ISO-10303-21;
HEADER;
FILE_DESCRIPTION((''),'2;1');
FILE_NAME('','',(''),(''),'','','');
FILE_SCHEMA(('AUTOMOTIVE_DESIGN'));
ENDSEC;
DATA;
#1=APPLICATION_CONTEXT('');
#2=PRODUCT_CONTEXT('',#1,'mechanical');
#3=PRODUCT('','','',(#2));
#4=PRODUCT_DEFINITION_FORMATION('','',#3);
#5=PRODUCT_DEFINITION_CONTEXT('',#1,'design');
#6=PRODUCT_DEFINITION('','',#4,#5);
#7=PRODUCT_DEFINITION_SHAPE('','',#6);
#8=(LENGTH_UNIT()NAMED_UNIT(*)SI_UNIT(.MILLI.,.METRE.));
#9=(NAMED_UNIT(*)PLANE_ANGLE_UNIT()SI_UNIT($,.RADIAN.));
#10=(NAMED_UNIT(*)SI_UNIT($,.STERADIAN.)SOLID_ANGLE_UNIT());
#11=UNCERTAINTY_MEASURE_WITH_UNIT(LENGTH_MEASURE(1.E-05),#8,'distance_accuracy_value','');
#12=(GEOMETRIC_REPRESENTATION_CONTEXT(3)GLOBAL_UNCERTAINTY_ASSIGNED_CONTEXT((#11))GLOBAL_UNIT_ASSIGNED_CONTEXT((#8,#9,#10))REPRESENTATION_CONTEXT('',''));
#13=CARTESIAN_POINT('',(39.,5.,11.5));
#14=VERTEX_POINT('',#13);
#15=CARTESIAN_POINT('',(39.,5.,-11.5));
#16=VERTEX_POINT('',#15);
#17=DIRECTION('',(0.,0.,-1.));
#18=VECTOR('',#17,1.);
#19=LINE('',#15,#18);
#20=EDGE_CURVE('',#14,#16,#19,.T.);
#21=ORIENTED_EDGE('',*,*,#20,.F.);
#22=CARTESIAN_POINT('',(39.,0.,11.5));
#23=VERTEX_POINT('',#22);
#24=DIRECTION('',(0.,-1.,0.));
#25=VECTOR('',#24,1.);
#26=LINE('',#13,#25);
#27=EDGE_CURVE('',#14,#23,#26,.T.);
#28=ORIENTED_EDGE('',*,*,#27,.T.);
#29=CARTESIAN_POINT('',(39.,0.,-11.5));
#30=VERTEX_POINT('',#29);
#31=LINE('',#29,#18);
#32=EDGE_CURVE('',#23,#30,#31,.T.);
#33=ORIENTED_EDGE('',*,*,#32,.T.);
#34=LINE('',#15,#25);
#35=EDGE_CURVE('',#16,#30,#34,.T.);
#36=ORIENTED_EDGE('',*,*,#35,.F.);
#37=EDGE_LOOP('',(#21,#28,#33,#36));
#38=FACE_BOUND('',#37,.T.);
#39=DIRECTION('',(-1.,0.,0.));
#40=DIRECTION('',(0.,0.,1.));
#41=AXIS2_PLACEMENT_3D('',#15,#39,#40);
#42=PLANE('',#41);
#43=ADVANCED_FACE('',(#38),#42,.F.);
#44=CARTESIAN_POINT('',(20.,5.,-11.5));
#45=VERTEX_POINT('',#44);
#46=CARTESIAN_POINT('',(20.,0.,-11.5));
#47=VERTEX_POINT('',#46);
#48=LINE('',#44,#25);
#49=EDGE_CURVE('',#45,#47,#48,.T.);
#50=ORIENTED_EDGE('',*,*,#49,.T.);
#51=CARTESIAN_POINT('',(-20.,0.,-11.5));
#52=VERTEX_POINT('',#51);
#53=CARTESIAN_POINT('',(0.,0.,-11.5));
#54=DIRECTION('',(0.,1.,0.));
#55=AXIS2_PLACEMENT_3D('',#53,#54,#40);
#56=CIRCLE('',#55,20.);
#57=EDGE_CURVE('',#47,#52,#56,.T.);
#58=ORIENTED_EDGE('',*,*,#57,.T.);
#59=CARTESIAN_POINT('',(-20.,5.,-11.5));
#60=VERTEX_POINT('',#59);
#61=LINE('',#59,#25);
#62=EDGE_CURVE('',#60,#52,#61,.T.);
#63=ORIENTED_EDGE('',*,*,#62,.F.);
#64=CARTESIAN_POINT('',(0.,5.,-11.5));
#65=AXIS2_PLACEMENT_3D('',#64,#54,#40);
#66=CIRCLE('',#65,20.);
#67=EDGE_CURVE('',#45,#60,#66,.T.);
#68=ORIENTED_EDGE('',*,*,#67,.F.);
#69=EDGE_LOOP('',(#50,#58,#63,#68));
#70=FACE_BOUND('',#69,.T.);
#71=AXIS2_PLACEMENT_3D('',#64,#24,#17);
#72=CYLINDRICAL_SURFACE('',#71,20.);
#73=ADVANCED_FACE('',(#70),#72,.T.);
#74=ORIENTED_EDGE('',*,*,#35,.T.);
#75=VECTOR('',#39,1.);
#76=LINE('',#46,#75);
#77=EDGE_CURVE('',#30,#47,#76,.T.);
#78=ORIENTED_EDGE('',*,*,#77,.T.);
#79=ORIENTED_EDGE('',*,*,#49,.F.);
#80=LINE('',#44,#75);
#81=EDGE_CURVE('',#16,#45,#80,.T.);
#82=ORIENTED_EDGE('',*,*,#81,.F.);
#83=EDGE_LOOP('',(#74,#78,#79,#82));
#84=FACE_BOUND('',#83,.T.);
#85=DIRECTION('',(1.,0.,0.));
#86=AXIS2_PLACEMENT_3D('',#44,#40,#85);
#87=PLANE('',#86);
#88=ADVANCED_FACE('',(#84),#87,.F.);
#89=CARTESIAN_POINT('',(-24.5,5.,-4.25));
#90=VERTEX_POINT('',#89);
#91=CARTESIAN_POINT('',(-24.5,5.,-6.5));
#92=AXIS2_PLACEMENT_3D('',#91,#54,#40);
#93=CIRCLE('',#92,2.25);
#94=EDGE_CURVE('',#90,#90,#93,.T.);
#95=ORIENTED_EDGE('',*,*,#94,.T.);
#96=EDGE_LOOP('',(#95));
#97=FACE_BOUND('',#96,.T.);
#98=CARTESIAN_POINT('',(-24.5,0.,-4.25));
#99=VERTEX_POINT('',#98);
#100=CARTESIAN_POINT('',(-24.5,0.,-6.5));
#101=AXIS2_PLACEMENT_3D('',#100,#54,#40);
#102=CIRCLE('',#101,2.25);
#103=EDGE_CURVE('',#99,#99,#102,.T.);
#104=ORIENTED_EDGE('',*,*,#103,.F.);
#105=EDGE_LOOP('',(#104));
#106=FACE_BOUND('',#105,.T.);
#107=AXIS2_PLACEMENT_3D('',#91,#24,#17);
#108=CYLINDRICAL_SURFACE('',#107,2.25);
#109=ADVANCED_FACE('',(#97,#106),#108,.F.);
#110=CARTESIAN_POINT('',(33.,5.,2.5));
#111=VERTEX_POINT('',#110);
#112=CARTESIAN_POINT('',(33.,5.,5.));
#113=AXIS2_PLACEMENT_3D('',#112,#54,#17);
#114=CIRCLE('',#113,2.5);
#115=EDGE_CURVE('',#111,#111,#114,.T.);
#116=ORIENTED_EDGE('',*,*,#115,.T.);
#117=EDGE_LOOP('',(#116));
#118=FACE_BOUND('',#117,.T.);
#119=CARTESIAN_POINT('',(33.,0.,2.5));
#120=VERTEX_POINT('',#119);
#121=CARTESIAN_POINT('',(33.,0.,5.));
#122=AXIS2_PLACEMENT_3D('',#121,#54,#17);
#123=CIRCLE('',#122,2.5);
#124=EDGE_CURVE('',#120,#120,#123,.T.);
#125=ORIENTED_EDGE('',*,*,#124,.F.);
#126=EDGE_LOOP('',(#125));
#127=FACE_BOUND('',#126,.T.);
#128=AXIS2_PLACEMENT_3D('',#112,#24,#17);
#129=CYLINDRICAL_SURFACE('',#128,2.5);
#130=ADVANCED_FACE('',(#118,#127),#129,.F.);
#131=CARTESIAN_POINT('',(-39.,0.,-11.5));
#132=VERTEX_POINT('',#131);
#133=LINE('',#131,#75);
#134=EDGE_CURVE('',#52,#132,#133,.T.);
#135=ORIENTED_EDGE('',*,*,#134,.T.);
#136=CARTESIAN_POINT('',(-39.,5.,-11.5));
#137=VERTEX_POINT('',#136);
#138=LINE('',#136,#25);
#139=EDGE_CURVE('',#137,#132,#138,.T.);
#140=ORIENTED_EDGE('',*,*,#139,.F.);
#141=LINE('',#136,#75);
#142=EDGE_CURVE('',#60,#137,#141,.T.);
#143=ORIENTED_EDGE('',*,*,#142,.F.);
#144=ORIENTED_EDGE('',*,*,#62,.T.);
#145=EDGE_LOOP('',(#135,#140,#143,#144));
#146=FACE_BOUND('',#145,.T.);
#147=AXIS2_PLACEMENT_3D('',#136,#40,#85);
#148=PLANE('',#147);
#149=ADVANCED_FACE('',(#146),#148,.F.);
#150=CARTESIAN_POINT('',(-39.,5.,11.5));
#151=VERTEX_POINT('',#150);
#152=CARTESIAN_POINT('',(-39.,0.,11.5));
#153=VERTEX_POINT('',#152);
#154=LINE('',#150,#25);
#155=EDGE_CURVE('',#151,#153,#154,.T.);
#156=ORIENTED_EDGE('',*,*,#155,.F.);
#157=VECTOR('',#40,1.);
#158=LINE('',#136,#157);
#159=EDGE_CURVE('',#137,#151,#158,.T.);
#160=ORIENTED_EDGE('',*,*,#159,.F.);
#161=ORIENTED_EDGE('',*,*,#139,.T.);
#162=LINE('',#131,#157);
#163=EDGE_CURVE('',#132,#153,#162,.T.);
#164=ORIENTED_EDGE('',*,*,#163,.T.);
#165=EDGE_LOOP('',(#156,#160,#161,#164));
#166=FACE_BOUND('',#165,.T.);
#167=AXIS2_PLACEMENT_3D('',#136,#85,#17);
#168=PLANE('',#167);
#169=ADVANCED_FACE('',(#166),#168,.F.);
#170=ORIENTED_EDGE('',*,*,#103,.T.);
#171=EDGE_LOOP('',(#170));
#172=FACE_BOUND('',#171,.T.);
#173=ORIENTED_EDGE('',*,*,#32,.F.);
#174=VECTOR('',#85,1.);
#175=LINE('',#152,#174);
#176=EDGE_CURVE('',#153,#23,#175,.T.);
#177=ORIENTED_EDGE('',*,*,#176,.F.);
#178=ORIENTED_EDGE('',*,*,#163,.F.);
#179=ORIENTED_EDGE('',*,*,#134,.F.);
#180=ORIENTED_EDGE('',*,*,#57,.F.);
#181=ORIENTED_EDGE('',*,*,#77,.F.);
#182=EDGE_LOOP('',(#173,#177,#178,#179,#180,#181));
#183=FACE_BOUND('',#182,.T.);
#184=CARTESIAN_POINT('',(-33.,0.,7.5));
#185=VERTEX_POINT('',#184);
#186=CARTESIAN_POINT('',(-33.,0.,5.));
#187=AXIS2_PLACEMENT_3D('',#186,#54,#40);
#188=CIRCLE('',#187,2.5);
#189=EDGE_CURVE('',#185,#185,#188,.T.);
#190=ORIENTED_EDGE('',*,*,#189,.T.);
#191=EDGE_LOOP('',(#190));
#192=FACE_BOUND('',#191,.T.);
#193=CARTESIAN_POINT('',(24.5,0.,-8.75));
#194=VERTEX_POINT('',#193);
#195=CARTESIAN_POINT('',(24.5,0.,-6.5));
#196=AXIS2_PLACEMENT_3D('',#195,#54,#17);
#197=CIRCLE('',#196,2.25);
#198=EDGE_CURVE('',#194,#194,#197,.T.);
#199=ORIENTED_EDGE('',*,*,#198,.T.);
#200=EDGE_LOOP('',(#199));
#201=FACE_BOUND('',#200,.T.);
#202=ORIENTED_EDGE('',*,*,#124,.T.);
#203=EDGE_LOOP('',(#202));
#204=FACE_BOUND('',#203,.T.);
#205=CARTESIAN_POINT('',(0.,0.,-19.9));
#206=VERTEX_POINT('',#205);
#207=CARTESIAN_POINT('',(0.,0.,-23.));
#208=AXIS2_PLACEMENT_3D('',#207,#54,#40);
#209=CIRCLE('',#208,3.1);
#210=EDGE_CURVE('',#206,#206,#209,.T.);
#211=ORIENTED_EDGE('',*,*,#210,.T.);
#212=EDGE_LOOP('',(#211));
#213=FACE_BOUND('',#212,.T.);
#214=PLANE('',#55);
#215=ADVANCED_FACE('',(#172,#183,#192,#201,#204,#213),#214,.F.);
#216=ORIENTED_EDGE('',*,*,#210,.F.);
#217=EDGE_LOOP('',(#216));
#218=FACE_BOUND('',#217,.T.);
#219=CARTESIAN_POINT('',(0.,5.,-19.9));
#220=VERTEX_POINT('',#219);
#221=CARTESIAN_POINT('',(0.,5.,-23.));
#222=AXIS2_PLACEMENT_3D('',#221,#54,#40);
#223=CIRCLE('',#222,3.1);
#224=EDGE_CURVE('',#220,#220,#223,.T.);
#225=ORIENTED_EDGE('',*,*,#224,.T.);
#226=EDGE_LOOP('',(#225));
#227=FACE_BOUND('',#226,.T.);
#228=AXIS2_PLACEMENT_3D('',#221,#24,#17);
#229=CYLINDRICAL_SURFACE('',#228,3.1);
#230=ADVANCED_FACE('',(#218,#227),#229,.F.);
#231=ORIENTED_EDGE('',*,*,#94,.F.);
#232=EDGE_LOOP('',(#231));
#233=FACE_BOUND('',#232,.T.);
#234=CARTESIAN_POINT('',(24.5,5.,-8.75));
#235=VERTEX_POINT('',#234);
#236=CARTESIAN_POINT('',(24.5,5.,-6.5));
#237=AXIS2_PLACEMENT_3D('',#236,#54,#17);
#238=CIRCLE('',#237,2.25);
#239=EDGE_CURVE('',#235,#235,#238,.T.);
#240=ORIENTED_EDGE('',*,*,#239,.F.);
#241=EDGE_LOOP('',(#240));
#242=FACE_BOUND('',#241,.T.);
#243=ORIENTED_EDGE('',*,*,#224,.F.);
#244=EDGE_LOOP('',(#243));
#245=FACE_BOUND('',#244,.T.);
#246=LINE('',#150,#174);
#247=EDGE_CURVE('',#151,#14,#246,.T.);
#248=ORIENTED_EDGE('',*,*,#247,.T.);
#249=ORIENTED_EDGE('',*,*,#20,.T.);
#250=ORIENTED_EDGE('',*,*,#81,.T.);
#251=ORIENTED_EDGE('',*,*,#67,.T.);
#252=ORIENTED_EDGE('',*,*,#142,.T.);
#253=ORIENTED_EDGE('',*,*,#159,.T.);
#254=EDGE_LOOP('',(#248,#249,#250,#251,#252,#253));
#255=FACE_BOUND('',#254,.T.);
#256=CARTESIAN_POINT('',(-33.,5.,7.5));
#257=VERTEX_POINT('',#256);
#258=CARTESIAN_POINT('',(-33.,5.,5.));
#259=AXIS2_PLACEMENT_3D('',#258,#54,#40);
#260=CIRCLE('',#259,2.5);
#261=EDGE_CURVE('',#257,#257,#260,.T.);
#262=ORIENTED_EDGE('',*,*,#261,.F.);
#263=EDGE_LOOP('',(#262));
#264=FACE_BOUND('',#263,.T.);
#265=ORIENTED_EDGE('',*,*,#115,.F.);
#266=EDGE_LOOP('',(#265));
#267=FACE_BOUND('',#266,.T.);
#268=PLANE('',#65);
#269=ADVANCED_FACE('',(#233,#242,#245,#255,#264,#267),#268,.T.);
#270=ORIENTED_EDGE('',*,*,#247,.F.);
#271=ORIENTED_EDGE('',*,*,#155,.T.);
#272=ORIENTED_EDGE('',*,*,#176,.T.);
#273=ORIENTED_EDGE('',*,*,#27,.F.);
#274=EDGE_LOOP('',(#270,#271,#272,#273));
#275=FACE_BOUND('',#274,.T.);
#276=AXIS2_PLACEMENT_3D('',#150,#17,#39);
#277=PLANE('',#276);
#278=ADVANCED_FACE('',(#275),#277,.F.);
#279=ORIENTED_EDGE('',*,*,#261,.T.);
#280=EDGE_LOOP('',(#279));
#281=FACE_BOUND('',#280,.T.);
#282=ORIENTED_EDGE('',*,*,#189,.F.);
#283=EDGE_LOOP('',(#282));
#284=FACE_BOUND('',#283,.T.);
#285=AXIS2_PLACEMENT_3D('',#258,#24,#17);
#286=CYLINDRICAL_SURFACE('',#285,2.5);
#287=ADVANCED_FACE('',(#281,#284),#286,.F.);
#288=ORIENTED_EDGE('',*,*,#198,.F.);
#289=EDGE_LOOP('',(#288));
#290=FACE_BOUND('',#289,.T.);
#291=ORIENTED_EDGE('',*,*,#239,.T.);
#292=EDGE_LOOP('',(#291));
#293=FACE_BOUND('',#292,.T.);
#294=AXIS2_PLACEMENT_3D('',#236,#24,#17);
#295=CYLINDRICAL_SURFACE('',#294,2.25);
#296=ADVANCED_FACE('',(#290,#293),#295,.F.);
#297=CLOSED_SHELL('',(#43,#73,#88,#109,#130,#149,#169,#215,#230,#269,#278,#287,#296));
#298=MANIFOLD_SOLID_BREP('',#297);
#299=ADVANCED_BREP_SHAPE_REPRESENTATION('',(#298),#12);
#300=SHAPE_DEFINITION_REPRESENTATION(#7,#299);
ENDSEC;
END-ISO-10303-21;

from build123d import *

# Parameters (mm, degrees)
IZIM1_R                     = 3.1
IZIM1_R_2                   = 2.25
IZIM1_R_3                   = 2.5
Y_KSEKLIK_EKSTR_ZYON1_DEPTH = 5


with BuildPart() as part:
    # Çizim1 → Yükseklik-Ekstrüzyon1 (new body)
    with BuildSketch(Plane(origin=(0, 0, 0), x_dir=(1, 0, 0), z_dir=(0, 1, 0))):
        with BuildLine():
            Line((-39, 11.5), (-20, 11.5))
            ThreePointArc((-20, 11.5), (0, 31.5), (20, 11.5))
            Line((20, 11.5), (39, 11.5))
            Line((39, 11.5), (39, -11.5))
            Line((39, -11.5), (-39, -11.5))
            Line((-39, -11.5), (-39, 11.5))
        make_face()
        with Locations(Location((0, 23, 0), (0, 0, 270))):
            Circle(IZIM1_R, mode=Mode.SUBTRACT)
        with Locations(Location((-24.5, 6.5, 0), (0, 0, 270))):
            Circle(IZIM1_R_2, mode=Mode.SUBTRACT)
        with Locations(Location((-33, -5, 0), (0, 0, 270))):
            Circle(IZIM1_R_3, mode=Mode.SUBTRACT)
        with Locations(Location((33, -5, 0), (0, 0, 90))):
            Circle(IZIM1_R_3, mode=Mode.SUBTRACT)
        with Locations(Location((24.5, 6.5, 0), (0, 0, 90))):
            Circle(IZIM1_R_2, mode=Mode.SUBTRACT)
    extrude(amount=Y_KSEKLIK_EKSTR_ZYON1_DEPTH)


solid = part.part
